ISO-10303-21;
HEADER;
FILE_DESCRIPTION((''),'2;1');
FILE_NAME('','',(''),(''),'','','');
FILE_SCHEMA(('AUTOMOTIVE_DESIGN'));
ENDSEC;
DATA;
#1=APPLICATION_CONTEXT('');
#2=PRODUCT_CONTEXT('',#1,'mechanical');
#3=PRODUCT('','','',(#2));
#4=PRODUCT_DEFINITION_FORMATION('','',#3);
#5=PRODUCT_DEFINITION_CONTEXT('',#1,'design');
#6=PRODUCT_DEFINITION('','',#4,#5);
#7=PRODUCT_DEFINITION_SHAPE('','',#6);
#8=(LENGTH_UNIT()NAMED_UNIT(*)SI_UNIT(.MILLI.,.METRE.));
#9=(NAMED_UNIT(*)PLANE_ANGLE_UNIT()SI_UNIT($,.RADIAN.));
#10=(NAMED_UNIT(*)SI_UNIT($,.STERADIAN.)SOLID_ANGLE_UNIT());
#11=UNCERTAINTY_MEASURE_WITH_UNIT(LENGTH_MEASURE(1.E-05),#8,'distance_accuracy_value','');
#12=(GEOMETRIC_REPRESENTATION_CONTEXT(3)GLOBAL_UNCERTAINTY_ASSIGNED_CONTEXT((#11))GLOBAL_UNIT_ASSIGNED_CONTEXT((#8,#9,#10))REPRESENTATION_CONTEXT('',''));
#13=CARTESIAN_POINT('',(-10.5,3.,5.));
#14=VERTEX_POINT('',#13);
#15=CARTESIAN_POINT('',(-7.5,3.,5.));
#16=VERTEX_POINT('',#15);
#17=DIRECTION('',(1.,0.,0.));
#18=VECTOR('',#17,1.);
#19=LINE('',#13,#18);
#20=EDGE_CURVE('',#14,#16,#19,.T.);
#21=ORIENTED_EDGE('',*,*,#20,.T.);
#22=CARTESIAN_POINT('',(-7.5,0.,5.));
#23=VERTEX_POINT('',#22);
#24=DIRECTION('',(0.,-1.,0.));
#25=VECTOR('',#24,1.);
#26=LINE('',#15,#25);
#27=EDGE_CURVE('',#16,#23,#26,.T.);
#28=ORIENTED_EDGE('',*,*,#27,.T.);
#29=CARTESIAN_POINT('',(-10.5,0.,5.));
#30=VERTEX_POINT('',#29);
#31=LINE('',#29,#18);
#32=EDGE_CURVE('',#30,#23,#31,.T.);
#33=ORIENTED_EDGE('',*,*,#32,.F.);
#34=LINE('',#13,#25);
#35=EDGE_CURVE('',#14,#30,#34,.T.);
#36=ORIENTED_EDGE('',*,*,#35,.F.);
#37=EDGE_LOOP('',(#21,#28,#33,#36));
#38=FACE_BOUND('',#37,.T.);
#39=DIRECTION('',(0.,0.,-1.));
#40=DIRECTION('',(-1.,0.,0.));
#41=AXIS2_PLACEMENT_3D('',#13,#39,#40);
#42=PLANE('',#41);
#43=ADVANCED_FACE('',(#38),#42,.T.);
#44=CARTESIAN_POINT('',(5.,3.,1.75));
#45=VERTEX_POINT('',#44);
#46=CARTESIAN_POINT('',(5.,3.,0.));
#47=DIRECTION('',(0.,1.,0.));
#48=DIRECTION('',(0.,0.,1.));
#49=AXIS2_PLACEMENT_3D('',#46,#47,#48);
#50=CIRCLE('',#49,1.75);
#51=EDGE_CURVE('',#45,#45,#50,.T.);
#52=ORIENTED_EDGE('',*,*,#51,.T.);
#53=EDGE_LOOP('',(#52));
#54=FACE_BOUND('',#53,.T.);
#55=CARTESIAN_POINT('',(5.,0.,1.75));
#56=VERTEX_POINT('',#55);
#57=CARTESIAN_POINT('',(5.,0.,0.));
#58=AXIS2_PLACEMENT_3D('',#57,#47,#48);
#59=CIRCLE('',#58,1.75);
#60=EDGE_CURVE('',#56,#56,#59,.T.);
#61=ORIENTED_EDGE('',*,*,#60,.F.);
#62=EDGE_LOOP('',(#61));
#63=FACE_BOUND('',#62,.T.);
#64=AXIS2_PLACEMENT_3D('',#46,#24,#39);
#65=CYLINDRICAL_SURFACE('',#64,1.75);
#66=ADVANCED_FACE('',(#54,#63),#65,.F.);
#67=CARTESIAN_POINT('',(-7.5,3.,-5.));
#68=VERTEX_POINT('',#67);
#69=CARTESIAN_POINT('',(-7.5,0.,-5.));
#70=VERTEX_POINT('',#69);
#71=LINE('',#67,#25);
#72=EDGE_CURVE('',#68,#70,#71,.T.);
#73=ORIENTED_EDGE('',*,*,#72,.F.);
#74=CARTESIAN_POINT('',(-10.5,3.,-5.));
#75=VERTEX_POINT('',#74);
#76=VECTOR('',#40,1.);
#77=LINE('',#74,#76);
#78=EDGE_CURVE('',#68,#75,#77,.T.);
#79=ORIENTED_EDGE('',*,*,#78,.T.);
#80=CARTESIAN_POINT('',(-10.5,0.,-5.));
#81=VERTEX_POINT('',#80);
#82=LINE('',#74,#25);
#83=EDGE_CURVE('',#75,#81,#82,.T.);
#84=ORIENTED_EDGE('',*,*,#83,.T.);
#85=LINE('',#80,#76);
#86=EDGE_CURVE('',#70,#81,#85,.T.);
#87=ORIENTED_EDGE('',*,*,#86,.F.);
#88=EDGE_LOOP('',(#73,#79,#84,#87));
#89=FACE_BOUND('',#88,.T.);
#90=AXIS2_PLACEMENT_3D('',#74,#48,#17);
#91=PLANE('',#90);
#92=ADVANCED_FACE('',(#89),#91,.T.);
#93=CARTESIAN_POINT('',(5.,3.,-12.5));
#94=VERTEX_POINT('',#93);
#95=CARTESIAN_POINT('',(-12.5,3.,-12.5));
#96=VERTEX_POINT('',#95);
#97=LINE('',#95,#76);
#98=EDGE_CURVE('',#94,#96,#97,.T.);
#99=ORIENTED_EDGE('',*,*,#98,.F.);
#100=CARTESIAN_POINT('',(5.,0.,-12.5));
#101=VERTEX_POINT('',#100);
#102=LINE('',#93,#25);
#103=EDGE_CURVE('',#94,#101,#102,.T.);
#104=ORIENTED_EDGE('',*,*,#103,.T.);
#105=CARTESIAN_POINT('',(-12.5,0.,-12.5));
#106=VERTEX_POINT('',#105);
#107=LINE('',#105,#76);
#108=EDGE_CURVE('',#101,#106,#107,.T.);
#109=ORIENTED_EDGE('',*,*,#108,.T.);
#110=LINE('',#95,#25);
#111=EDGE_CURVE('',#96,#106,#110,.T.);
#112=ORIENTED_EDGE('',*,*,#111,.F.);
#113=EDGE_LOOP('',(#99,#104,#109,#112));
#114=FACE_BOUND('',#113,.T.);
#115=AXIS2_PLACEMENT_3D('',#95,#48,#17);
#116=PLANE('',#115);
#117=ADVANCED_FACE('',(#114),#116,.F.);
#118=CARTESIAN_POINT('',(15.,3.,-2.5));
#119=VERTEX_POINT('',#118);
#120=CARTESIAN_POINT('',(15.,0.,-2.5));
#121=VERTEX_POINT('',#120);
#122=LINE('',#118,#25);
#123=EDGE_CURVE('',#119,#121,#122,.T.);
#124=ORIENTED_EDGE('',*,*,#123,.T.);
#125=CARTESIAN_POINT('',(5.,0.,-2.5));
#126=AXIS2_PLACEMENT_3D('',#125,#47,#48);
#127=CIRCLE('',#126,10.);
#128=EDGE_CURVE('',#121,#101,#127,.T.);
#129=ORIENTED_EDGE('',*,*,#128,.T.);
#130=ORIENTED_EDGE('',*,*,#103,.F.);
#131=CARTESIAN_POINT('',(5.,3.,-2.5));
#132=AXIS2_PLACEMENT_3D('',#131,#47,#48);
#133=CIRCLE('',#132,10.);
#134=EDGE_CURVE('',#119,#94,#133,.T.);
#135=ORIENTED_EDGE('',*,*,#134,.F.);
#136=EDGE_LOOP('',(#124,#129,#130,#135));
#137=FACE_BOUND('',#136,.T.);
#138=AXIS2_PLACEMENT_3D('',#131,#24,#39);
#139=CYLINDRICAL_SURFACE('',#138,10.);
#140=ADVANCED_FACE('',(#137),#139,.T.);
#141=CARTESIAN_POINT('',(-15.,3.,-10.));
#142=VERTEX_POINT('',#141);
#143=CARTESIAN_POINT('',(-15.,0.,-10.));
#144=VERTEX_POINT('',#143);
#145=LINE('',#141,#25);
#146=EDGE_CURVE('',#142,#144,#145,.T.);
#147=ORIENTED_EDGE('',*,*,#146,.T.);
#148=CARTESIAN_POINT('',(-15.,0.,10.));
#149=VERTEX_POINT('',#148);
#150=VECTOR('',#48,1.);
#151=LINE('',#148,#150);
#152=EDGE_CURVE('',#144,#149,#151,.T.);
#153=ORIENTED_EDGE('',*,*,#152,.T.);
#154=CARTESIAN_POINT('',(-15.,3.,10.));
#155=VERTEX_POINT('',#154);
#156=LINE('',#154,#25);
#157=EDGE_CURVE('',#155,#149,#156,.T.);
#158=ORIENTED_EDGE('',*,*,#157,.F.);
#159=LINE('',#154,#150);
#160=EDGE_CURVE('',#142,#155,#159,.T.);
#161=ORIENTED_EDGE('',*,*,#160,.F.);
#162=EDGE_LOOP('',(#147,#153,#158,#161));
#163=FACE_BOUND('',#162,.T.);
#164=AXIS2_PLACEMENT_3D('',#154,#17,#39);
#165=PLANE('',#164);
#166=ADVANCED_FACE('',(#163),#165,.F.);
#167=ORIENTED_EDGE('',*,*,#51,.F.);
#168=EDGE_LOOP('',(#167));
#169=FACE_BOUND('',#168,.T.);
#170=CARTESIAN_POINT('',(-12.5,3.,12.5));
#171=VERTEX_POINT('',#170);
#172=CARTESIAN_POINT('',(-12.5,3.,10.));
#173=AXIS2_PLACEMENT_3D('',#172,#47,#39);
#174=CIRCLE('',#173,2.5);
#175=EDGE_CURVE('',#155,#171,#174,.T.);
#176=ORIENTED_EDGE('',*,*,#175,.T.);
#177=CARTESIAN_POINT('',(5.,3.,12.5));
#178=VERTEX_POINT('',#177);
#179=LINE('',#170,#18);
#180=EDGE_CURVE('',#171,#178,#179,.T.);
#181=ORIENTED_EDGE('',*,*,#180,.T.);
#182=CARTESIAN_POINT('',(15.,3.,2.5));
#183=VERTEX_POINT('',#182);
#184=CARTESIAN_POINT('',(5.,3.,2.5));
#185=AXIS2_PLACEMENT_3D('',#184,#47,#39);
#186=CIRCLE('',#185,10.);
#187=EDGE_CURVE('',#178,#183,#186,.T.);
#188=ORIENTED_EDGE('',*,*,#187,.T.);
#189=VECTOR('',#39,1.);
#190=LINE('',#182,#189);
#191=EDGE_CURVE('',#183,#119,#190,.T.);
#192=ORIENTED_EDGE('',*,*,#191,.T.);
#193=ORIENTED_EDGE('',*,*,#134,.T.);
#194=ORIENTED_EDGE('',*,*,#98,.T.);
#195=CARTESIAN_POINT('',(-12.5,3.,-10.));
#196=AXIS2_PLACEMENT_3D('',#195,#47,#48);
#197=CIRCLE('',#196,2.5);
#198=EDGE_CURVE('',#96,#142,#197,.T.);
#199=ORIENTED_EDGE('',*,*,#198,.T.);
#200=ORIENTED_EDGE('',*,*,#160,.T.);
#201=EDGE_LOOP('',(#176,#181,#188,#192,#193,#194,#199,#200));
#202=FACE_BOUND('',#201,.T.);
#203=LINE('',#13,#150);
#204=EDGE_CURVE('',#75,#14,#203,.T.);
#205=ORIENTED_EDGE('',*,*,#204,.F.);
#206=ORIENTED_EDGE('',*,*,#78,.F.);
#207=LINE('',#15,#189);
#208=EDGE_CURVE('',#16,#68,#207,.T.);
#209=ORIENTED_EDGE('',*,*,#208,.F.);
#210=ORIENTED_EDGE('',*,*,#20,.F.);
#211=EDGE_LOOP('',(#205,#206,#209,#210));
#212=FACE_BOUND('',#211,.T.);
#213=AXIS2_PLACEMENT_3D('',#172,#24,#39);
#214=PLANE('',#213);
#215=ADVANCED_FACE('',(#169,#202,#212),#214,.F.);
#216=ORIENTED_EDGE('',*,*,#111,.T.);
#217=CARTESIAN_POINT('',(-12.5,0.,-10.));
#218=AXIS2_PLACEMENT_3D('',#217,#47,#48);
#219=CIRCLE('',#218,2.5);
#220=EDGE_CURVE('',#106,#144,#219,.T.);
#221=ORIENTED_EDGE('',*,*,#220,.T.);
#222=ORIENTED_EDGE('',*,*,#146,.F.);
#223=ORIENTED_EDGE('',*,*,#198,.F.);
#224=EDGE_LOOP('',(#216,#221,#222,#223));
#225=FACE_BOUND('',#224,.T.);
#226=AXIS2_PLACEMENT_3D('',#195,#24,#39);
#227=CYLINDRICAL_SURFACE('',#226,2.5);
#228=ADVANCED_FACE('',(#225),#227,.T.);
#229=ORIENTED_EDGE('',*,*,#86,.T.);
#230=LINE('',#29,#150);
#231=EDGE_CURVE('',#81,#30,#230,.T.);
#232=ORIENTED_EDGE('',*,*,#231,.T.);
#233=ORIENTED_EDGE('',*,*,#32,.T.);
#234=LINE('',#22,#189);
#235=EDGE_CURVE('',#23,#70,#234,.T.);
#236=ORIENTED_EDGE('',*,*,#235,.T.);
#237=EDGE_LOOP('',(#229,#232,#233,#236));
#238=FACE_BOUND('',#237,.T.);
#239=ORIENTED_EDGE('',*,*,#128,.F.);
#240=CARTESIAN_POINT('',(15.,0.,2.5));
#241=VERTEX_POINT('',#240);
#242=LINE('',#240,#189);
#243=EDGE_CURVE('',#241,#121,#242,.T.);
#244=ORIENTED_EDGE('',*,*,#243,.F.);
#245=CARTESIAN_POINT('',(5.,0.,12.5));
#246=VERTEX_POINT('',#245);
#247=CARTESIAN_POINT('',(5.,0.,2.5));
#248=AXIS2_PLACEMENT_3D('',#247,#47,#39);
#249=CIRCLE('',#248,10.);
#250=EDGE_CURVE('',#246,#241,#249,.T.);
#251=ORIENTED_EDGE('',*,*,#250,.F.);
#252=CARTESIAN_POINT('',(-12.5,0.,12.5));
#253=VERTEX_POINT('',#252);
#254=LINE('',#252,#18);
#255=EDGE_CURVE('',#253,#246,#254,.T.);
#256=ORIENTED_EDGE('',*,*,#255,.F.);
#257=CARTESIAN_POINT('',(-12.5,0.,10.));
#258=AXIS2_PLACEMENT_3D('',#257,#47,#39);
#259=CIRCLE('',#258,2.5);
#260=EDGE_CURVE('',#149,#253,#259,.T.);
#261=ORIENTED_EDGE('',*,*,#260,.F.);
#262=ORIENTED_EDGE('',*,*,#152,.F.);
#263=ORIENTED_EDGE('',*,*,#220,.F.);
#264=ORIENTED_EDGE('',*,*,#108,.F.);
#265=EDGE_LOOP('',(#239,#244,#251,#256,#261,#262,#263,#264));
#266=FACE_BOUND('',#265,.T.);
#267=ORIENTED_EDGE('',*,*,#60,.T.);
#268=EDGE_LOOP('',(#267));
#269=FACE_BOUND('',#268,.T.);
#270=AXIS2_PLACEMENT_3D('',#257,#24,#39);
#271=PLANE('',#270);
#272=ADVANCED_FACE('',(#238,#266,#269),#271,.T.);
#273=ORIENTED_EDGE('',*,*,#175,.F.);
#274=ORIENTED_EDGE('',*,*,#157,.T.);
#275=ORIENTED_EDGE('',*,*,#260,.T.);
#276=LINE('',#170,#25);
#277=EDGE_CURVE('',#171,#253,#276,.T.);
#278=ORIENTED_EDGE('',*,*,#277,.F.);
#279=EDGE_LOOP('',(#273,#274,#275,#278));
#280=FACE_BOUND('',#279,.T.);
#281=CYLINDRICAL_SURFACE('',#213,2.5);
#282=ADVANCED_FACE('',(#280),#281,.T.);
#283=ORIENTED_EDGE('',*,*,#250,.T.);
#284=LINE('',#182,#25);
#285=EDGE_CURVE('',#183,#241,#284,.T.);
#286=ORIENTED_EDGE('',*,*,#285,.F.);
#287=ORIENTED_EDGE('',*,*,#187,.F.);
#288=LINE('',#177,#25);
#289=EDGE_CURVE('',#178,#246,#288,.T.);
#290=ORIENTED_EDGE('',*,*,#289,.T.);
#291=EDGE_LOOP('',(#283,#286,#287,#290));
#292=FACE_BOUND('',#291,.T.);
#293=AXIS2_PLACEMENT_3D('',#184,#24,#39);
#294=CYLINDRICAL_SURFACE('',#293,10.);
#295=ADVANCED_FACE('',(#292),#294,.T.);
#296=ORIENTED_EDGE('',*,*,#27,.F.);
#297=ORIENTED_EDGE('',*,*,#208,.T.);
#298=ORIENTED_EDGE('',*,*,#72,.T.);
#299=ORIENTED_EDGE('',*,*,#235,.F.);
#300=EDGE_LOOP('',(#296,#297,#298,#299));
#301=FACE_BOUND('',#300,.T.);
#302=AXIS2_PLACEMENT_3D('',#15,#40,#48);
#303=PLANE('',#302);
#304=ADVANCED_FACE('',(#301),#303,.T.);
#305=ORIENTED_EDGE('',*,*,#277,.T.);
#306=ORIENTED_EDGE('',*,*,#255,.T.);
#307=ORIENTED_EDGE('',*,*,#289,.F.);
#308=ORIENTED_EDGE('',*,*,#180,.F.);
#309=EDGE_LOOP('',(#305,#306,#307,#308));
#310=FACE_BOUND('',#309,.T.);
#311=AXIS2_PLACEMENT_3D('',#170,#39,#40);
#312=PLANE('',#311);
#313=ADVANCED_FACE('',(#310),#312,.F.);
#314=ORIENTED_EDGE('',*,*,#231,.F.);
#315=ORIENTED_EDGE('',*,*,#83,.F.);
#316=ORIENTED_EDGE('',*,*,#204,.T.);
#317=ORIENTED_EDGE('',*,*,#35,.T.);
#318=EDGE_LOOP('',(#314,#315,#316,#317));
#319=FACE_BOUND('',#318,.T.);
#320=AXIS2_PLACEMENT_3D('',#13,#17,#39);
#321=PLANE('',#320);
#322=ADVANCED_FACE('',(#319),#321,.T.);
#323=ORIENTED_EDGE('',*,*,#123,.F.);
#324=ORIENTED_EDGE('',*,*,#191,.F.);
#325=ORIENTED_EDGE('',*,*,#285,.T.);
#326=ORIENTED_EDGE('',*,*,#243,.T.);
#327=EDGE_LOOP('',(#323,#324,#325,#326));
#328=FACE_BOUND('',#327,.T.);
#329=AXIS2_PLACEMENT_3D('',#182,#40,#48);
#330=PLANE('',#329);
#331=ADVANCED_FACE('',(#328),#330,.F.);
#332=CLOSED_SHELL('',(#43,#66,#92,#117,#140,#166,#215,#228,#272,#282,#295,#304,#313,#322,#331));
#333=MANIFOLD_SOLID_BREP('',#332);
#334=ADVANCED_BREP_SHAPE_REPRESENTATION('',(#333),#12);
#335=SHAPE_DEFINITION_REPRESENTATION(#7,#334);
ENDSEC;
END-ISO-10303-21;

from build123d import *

# Parameters (mm, degrees)
SKETCH1_R           = 1.75
SKETCH1_W           = 3
SKETCH1_H           = 10
BOSS_EXTRUDE1_DEPTH = 3


with BuildPart() as part:
    # Sketch1 → Boss-Extrude1 (new body)
    with BuildSketch(Plane(origin=(0, 0, 0), x_dir=(1, 0, 0), z_dir=(0, 1, 0))):
        with BuildLine():
            Line((-12.5, -12.5), (5, -12.5))
            ThreePointArc((5, -12.5), (12.071067812, -9.571067812), (15, -2.5))
            Line((15, -2.5), (15, 2.5))
            ThreePointArc((15, 2.5), (12.071067812, 9.571067812), (5, 12.5))
            Line((5, 12.5), (-12.5, 12.5))
            ThreePointArc((-12.5, 12.5), (-14.267766953, 11.767766953), (-15, 10))
            Line((-15, 10), (-15, -10))
            ThreePointArc((-15, -10), (-14.267766953, -11.767766953), (-12.5, -12.5))
        make_face()
        with Locations(Location((5, 0, 0), (0, 0, 270))):
            Circle(SKETCH1_R, mode=Mode.SUBTRACT)
        with Locations((-9, 0)):
            Rectangle(SKETCH1_W, SKETCH1_H, mode=Mode.SUBTRACT)
    extrude(amount=BOSS_EXTRUDE1_DEPTH)


solid = part.part
